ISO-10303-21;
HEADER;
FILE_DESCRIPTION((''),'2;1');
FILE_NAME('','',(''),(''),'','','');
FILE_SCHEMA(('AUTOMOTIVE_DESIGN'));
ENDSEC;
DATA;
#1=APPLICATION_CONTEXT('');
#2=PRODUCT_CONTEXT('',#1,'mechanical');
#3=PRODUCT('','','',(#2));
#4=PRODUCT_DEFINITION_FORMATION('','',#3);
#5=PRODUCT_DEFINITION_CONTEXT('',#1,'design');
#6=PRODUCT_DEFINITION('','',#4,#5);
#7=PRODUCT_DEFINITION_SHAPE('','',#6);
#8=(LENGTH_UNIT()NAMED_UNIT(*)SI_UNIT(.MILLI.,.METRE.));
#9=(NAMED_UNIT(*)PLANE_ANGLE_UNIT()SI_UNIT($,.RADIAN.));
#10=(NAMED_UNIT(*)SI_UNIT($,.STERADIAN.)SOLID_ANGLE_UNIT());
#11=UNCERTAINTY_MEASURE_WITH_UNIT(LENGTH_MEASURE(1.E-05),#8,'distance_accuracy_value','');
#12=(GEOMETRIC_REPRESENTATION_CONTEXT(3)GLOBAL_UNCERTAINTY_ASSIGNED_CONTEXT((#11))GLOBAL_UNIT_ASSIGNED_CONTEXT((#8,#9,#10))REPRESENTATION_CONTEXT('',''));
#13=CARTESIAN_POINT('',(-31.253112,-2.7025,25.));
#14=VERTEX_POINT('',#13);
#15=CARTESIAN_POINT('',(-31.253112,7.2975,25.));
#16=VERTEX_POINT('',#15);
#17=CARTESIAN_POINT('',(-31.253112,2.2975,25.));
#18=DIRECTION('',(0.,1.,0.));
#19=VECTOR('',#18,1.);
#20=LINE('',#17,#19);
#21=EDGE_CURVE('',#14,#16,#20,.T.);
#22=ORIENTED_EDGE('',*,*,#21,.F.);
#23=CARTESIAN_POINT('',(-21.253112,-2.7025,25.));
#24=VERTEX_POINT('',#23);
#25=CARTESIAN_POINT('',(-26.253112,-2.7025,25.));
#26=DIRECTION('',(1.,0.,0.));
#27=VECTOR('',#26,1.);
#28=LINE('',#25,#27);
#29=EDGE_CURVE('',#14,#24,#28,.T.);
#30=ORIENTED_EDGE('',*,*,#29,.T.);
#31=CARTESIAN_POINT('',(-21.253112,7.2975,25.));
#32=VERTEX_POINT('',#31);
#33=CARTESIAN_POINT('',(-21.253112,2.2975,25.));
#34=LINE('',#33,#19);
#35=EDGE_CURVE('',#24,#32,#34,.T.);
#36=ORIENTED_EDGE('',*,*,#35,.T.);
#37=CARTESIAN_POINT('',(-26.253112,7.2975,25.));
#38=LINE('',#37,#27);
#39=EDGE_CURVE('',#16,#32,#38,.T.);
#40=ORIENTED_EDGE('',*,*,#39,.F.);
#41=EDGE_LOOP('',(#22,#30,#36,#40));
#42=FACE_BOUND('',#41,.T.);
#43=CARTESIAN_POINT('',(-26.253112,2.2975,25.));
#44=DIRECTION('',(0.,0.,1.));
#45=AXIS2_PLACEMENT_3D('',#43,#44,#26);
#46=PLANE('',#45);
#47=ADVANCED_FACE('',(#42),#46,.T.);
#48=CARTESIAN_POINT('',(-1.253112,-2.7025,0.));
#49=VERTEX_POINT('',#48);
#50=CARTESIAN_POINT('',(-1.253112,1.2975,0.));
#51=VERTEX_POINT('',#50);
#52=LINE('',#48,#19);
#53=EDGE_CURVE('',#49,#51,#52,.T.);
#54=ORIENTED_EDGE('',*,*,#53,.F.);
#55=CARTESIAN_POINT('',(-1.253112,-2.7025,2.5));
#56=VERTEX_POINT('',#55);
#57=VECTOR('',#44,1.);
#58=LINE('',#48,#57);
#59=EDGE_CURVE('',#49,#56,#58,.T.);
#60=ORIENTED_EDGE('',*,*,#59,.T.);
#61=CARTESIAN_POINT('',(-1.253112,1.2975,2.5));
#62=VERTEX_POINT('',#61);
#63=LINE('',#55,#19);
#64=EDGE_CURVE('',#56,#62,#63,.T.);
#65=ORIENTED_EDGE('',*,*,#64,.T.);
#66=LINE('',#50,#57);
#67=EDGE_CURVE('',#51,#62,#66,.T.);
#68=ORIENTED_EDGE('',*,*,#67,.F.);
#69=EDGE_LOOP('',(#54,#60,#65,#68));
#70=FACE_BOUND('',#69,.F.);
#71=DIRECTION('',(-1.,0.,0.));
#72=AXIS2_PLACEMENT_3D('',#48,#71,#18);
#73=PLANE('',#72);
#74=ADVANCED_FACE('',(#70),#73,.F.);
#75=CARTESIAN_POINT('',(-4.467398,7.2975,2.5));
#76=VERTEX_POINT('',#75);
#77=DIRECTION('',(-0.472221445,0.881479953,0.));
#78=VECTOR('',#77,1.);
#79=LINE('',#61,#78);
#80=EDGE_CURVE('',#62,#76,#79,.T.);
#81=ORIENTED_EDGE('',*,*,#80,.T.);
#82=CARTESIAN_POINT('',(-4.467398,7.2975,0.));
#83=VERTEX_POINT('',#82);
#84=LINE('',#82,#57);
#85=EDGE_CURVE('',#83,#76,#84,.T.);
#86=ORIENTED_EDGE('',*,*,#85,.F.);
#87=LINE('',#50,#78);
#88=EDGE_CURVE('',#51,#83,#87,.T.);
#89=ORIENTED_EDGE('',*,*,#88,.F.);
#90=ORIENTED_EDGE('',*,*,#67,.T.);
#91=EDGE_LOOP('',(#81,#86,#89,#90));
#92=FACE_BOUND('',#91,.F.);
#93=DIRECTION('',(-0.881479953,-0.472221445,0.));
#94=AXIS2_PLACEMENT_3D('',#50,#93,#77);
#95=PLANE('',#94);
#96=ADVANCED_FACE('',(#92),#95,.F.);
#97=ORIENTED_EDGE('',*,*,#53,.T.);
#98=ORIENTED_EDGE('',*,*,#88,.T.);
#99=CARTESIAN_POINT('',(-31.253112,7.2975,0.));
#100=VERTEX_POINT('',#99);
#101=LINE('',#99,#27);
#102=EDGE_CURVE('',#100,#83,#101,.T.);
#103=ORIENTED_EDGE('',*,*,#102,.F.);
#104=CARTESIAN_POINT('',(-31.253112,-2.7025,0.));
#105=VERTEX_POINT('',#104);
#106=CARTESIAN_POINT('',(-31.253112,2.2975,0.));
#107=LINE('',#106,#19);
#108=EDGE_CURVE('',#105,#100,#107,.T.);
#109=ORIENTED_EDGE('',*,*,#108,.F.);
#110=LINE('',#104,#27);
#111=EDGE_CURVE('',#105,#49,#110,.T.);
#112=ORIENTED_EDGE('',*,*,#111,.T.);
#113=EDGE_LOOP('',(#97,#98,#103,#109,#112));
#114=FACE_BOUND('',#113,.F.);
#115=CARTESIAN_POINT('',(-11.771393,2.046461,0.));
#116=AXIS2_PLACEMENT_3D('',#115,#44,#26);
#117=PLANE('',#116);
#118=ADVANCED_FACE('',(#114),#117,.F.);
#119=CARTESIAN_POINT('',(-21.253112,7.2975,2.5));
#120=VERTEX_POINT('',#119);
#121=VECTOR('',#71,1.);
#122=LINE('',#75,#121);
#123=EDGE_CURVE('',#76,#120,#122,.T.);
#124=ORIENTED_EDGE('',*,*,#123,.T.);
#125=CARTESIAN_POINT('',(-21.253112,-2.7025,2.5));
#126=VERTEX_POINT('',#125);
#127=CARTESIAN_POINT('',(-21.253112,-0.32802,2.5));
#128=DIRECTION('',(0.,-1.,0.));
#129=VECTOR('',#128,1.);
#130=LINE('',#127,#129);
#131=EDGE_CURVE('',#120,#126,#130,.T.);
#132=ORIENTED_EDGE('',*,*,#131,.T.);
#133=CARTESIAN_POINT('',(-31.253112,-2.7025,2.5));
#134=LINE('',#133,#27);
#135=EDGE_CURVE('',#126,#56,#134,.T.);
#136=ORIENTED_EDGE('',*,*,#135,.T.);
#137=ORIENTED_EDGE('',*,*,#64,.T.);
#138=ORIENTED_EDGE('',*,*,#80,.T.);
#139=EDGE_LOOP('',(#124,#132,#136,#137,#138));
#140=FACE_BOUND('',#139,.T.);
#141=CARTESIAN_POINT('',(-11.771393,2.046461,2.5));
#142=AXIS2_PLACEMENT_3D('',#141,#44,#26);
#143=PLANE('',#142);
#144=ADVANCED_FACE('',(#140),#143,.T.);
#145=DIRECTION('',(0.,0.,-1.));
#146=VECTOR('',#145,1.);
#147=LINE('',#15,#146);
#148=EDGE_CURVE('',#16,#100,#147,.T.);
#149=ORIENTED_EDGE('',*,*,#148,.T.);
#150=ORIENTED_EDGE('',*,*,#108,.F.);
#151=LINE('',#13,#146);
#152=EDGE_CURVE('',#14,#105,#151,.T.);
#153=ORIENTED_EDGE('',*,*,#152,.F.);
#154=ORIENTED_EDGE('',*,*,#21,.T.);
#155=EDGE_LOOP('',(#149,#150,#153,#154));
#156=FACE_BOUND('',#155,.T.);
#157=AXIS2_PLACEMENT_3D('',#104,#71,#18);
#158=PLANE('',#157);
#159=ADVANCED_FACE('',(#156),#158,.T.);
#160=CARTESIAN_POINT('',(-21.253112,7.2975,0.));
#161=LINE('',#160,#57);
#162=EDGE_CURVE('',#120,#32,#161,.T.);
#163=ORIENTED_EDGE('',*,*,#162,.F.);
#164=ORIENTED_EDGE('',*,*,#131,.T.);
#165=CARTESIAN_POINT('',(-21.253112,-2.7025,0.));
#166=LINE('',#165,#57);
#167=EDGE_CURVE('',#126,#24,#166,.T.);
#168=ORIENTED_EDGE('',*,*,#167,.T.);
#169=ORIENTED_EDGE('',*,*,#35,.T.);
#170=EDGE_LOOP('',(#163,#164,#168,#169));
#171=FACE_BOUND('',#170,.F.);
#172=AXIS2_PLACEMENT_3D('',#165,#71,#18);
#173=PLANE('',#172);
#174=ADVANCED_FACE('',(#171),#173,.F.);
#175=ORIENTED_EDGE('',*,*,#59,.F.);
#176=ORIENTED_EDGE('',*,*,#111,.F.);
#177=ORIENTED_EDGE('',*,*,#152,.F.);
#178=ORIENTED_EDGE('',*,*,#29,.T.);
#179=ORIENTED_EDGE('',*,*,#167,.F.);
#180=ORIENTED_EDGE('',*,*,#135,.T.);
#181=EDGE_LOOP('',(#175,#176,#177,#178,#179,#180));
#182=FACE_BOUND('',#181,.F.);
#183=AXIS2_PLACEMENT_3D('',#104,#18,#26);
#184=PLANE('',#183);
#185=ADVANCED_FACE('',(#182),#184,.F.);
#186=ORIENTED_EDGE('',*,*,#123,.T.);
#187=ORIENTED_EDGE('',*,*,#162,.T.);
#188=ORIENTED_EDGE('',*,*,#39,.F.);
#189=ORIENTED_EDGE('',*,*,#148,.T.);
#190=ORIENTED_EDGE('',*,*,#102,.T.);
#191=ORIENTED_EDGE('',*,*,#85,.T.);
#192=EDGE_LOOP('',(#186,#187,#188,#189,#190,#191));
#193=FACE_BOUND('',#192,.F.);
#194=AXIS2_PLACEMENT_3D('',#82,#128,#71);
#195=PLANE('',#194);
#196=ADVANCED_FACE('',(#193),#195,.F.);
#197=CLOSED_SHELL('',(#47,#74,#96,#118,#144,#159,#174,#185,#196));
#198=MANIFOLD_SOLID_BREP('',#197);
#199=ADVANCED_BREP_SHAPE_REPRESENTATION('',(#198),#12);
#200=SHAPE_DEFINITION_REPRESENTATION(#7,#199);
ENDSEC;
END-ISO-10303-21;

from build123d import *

# Parameters (mm, degrees)
F0_W     = 10
F0_H     = 10
F1_DEPTH = 2.5
F2_DEPTH = 25


with BuildPart() as f1:
    # F0 (on Top) → F1 (new body)
    with BuildSketch(Plane.XY):
        Polygon((-21.253112, -2.7025), (-1.253112, -2.7025), (-1.253112, 1.2975), (-4.467398, 7.2975), (-21.253112, 7.2975), align=None)
        with Locations((-26.253112, 2.2975)):
            Rectangle(F0_W, F0_H)
    extrude(amount=F1_DEPTH)

    # F0 (on Top) → F2 (join)
    with BuildSketch(Plane.XY):
        with Locations((-26.253112, 2.2975)):
            Rectangle(F0_W, F0_H)
    extrude(amount=F2_DEPTH)


solid = f1.part
